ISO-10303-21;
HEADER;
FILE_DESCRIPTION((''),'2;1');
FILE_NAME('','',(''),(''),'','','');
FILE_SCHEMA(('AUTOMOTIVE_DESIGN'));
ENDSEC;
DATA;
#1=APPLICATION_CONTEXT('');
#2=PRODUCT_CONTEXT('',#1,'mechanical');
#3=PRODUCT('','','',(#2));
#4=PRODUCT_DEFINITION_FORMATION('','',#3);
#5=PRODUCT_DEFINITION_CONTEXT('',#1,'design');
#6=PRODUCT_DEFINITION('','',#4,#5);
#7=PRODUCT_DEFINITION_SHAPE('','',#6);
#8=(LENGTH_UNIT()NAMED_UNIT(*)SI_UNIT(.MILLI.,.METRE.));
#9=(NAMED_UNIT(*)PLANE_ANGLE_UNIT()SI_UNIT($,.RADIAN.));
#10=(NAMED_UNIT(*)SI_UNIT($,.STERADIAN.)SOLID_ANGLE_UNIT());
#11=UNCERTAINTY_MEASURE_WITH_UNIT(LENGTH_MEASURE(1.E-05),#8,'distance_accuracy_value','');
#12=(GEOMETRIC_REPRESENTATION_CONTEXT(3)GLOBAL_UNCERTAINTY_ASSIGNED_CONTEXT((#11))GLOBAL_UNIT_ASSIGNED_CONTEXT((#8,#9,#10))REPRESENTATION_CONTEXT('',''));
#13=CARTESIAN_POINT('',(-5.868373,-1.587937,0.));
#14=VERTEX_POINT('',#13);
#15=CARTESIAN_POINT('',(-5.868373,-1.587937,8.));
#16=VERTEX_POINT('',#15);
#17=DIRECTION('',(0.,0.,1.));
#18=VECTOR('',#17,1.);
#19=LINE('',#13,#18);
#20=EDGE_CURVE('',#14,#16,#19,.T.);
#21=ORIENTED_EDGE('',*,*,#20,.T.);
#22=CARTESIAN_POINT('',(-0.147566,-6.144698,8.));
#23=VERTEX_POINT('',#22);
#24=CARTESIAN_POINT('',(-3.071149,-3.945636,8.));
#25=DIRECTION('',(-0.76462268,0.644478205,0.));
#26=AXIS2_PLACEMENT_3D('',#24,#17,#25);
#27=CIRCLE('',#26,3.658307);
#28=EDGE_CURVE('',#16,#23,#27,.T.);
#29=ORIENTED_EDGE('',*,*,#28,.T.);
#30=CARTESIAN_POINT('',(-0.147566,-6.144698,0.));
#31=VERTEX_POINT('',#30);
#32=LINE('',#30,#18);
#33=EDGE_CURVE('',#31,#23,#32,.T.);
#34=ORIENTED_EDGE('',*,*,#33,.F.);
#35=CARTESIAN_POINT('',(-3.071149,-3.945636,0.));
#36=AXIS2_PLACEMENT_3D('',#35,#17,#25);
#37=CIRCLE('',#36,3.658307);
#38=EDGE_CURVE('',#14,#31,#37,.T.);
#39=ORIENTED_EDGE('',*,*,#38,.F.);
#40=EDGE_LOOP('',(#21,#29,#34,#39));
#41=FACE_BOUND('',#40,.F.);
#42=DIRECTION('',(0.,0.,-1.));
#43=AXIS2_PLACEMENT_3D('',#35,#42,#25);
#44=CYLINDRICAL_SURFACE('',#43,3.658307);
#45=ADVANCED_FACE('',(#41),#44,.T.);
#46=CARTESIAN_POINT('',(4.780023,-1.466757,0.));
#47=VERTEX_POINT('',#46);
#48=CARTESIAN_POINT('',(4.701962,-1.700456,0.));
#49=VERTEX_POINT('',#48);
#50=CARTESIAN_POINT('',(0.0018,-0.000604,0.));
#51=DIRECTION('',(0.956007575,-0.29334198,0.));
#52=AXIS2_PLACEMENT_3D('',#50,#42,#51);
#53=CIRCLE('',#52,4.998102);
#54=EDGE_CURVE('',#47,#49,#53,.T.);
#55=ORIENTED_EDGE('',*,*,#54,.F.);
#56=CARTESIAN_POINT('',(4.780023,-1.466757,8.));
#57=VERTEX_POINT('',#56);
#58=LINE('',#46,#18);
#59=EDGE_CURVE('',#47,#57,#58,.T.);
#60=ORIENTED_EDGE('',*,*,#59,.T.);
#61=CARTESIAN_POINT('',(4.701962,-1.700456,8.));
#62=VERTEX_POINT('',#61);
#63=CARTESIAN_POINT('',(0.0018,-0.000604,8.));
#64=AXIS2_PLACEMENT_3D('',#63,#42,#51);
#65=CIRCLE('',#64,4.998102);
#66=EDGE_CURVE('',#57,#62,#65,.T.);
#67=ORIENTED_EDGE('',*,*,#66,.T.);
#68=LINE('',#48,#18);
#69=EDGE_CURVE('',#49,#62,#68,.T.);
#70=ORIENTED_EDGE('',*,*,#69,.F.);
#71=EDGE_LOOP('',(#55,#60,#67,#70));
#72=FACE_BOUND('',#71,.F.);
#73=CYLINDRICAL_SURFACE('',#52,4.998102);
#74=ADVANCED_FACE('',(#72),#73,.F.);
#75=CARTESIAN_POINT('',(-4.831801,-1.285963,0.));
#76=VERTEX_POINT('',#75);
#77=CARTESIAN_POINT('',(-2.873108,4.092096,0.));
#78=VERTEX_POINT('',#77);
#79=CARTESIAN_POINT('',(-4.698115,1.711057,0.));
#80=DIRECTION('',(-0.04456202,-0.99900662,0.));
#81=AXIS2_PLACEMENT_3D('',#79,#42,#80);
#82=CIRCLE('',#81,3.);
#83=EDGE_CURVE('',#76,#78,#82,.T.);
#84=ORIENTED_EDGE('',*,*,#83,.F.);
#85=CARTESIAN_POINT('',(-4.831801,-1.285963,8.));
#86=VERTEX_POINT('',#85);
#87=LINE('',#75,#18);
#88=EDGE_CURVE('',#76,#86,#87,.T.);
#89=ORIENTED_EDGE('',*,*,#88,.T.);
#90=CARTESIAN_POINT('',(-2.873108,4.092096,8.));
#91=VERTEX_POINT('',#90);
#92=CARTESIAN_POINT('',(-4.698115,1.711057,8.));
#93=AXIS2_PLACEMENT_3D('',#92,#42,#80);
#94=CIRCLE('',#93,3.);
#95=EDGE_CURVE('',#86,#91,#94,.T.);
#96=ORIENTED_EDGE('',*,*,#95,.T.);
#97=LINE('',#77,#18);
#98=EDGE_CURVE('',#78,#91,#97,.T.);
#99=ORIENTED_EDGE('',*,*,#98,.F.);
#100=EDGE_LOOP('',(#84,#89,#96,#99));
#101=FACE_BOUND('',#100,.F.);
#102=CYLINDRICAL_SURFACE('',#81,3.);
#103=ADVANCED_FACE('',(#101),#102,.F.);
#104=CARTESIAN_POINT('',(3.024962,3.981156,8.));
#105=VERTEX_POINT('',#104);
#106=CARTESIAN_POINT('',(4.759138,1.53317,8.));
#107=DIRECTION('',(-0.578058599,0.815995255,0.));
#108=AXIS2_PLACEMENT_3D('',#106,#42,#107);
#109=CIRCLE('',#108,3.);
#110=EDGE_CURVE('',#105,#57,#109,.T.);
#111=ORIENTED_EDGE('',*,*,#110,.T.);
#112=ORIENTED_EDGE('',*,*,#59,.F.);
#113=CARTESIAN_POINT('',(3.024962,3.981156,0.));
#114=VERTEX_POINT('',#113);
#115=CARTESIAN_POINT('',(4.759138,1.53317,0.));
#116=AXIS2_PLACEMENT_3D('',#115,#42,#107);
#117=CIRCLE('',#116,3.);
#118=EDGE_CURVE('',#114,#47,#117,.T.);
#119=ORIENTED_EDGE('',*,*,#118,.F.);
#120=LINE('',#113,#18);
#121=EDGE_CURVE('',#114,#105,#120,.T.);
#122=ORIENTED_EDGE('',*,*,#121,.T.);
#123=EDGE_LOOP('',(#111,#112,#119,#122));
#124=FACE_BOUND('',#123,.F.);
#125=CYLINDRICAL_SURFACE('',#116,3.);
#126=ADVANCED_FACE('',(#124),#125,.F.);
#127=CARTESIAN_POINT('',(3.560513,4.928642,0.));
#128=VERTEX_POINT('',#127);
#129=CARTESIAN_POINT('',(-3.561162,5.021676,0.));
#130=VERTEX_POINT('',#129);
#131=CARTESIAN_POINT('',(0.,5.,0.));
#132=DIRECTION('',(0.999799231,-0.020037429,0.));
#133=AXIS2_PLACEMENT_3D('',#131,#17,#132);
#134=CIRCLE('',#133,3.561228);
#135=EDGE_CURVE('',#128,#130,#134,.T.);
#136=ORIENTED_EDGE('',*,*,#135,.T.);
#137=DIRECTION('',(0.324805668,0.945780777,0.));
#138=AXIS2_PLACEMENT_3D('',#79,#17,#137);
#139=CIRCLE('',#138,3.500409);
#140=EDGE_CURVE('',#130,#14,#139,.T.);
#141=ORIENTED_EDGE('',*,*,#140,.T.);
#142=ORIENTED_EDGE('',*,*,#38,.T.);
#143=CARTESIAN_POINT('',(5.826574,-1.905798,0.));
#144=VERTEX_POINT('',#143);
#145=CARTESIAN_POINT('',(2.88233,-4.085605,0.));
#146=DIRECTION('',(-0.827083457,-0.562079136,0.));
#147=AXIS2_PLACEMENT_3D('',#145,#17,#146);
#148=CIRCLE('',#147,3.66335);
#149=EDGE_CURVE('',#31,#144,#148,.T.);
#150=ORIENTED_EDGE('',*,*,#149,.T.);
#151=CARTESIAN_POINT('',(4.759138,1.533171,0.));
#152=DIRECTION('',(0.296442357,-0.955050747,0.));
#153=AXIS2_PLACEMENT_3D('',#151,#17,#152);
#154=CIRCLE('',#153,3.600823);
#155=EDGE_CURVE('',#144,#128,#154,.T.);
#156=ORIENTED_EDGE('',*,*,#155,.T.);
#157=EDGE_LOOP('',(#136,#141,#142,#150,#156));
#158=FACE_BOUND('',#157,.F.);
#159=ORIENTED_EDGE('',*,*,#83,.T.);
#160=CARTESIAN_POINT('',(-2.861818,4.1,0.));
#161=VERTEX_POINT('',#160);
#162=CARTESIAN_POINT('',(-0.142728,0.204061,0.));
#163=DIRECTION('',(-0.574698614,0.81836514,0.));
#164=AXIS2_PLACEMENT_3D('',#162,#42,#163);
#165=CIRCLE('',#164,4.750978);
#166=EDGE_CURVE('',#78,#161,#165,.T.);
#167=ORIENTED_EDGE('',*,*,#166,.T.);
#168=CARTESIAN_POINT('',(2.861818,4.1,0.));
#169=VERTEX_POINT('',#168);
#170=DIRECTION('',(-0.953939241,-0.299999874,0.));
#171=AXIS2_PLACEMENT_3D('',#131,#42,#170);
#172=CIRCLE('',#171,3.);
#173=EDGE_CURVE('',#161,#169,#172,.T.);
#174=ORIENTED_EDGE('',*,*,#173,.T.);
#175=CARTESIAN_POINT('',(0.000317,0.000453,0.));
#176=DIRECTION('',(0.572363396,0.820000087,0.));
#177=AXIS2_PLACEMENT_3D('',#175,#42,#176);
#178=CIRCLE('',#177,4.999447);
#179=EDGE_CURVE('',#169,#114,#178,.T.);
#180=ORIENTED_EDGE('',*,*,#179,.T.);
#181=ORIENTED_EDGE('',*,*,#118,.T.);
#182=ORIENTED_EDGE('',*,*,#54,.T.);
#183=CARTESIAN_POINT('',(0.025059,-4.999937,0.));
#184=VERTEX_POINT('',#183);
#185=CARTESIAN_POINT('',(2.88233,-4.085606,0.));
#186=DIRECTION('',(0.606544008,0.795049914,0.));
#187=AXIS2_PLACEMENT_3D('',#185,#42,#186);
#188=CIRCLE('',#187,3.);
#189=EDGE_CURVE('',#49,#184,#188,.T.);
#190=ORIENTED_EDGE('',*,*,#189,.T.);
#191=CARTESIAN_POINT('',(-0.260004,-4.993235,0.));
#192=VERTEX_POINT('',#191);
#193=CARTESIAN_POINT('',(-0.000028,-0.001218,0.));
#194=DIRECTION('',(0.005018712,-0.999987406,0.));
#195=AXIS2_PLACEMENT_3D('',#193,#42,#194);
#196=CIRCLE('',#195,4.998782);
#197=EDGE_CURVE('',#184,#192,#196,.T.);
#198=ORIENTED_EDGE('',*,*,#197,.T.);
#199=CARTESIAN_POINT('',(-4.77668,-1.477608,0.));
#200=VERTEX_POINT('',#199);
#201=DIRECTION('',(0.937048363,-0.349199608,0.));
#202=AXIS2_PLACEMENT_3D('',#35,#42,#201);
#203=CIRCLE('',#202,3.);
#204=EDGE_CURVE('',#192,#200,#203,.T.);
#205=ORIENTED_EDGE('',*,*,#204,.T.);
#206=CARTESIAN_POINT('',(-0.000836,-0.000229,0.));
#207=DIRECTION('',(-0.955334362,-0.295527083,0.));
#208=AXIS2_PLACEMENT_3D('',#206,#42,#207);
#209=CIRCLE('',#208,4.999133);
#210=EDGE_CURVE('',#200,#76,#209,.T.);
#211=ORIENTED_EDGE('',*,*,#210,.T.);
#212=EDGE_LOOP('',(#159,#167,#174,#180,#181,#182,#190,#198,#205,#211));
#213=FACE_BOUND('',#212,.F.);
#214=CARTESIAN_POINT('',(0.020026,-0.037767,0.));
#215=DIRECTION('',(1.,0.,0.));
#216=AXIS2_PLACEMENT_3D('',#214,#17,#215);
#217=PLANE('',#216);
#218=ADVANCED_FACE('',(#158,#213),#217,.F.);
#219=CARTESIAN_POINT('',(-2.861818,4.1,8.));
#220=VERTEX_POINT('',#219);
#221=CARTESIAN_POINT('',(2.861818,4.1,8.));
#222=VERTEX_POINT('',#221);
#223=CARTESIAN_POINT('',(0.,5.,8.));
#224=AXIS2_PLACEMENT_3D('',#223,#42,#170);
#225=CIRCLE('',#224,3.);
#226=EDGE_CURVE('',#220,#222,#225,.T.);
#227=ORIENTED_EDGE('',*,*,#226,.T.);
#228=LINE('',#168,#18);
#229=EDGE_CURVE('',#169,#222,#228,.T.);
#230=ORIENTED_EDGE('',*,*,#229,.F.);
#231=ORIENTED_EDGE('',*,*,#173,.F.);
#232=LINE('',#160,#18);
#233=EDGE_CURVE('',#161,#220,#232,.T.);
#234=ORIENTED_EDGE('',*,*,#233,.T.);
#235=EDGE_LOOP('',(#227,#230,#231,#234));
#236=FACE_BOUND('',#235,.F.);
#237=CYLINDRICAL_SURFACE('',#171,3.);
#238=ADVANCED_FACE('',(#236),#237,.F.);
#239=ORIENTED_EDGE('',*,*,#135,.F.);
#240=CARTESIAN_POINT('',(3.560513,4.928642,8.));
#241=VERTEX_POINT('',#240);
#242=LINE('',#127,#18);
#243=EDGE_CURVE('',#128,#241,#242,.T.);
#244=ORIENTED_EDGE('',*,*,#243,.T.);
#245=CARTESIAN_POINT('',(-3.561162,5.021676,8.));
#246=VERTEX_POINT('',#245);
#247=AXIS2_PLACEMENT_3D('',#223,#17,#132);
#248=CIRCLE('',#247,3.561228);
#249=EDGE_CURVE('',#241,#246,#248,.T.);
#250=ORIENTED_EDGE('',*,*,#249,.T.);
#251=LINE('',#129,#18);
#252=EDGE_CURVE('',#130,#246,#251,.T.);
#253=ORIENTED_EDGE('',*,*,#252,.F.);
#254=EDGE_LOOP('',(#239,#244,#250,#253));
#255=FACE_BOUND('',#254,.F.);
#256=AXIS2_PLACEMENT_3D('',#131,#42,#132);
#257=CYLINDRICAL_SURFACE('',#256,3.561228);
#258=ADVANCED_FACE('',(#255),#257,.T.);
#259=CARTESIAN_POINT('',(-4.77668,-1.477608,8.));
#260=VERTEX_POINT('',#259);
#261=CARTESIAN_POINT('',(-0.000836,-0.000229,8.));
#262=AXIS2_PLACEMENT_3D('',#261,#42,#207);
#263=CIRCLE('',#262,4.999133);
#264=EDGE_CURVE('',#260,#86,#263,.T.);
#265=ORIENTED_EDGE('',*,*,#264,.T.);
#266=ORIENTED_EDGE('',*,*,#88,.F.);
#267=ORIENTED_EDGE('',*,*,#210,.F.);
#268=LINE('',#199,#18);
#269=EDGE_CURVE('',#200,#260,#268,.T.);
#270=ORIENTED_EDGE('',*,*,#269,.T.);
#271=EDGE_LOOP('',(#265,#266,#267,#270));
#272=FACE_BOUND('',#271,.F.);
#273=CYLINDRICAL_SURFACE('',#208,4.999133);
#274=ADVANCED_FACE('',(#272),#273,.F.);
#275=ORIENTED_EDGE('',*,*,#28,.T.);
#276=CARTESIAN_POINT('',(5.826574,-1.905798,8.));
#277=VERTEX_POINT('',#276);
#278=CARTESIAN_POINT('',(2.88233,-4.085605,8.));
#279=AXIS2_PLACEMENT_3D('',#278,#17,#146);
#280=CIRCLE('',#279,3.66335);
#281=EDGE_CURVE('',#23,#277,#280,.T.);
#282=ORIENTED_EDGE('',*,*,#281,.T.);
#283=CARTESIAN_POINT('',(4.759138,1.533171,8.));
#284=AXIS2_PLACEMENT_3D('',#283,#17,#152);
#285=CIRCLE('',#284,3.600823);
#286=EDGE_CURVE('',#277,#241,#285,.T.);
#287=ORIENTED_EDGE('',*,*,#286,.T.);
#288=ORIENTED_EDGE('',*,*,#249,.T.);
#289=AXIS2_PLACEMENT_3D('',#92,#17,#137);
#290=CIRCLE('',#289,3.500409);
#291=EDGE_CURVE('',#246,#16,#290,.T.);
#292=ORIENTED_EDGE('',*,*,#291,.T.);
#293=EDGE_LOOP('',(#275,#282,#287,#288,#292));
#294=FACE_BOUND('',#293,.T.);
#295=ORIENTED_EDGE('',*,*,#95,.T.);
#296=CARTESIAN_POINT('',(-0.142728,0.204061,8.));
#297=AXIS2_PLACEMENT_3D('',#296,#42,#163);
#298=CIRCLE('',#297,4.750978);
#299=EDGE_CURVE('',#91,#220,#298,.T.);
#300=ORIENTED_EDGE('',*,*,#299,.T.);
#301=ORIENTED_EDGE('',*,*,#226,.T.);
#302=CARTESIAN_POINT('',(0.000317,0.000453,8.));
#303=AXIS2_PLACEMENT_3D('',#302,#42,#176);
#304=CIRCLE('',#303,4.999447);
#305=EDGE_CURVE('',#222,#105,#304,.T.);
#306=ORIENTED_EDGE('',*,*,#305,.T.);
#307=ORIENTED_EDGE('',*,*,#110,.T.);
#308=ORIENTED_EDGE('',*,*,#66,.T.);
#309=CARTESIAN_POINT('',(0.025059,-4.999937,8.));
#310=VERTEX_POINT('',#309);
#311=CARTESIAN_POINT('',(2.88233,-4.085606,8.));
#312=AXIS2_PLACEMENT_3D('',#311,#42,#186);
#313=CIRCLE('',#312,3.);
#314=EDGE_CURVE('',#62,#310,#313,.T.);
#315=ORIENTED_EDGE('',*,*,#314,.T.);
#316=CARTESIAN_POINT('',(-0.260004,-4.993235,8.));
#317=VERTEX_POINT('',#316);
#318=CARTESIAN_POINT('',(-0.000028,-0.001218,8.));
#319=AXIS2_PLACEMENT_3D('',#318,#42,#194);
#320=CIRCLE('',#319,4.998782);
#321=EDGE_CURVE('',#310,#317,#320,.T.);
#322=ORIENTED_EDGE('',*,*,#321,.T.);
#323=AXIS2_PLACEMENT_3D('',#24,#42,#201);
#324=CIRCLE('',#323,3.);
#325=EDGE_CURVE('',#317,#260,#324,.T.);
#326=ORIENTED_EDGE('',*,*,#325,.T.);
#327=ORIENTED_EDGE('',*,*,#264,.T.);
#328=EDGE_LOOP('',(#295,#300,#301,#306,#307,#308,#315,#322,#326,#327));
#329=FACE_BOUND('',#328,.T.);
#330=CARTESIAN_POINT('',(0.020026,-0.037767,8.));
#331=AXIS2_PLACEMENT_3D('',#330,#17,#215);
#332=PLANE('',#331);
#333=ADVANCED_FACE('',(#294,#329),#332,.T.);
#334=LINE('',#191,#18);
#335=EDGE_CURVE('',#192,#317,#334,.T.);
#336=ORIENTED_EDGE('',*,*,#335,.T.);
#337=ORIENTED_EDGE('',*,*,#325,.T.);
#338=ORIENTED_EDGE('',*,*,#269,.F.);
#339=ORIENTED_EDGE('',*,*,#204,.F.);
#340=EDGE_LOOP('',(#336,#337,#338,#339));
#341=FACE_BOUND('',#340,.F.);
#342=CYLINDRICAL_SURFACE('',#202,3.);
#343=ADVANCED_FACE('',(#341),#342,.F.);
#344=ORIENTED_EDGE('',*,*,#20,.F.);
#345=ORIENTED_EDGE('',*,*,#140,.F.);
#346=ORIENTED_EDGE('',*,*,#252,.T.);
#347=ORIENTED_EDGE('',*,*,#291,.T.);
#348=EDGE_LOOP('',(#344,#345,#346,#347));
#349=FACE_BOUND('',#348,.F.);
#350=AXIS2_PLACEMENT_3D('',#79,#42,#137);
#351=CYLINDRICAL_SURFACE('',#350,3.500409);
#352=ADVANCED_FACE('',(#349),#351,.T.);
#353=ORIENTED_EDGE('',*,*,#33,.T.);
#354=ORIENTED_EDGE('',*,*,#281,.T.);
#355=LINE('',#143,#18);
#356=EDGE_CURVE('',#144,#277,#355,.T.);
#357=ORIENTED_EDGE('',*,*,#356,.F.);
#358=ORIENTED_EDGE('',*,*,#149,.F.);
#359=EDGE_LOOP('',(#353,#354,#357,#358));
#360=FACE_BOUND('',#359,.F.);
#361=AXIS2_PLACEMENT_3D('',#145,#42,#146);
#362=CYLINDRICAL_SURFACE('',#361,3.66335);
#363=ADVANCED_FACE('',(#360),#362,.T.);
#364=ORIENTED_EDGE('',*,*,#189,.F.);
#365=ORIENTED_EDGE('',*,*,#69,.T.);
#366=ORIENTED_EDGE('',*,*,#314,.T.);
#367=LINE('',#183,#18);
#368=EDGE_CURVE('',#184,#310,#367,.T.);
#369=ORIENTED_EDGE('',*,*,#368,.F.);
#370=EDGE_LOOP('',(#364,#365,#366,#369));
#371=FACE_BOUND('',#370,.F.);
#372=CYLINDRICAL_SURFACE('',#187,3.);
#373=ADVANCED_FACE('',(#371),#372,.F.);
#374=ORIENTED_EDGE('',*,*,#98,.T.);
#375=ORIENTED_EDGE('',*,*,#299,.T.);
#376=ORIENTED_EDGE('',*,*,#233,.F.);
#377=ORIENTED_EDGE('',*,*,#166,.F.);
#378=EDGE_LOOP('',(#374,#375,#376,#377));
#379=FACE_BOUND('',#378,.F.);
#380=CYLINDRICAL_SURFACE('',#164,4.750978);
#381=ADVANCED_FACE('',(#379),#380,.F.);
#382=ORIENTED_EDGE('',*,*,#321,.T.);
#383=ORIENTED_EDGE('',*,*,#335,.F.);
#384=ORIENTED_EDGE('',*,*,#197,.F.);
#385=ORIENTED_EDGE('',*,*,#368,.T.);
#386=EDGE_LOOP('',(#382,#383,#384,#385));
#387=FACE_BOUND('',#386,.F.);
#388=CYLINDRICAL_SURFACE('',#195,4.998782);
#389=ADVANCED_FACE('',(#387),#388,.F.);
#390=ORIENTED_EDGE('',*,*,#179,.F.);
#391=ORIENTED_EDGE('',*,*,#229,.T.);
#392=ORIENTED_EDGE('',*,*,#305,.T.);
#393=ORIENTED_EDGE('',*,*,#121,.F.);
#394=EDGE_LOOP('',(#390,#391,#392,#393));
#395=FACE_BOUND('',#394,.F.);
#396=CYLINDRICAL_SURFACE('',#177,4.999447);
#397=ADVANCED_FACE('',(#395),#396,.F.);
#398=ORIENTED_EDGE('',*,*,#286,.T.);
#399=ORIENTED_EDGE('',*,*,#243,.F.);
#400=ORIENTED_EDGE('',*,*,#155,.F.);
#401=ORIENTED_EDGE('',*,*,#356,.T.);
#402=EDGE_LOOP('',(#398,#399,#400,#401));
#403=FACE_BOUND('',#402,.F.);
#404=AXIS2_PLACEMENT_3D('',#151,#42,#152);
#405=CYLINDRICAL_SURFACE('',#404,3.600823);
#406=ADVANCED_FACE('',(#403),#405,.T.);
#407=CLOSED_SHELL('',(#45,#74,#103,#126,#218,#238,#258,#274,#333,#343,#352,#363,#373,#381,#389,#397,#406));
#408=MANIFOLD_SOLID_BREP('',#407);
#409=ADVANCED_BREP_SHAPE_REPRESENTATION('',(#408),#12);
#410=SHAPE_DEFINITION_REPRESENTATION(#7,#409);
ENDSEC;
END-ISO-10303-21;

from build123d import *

# Parameters (mm, degrees)
F1_DEPTH = 8


with BuildPart() as f1:
    # F0 (on Top) → F1 (new body)
    with BuildSketch(Plane.XY):
        with BuildLine():
            ThreePointArc((-3.561162, 5.021676), (-8.002963, 2.864677), (-5.868373, -1.587937))
            ThreePointArc((-5.868373, -1.587937), (-5.350405, -6.807139), (-0.147566, -6.144698))
            ThreePointArc((-0.147566, -6.144698), (5.002213, -7.073285), (5.826574, -1.905798))
            ThreePointArc((5.826574, -1.905798), (8.176987, 2.66641), (3.560513, 4.928642))
            ThreePointArc((3.560513, 4.928642), (0.046518, 8.560924), (-3.561162, 5.021676))
        make_face()
        with BuildLine():
            ThreePointArc((-4.77668, -1.477608), (-4.805196, -1.382061), (-4.831801, -1.285963))
            ThreePointArc((-4.831801, -1.285963), (-7.516984, 2.73769), (-2.873108, 4.092096))
            ThreePointArc((-2.873108, 4.092096), (-2.867466, 4.096052), (-2.861818, 4.1))
            ThreePointArc((-2.861818, 4.1), (0, 8), (2.861818, 4.1))
            ThreePointArc((2.861818, 4.1), (2.943989, 4.041402), (3.024962, 3.981156))
            ThreePointArc((3.024962, 3.981156), (7.61462, 2.453073), (4.780023, -1.466757))
            ThreePointArc((4.780023, -1.466757), (4.742433, -1.584087), (4.701962, -1.700456))
            ThreePointArc((4.701962, -1.700456), (4.611728, -6.536969), (0.025059, -4.999937))
            ThreePointArc((0.025059, -4.999937), (-0.11752, -4.998619), (-0.260004, -4.993235))
            ThreePointArc((-0.260004, -4.993235), (-4.913838, -6.313018), (-4.77668, -1.477608))
        make_face(mode=Mode.SUBTRACT)
    extrude(amount=F1_DEPTH)


solid = f1.part
